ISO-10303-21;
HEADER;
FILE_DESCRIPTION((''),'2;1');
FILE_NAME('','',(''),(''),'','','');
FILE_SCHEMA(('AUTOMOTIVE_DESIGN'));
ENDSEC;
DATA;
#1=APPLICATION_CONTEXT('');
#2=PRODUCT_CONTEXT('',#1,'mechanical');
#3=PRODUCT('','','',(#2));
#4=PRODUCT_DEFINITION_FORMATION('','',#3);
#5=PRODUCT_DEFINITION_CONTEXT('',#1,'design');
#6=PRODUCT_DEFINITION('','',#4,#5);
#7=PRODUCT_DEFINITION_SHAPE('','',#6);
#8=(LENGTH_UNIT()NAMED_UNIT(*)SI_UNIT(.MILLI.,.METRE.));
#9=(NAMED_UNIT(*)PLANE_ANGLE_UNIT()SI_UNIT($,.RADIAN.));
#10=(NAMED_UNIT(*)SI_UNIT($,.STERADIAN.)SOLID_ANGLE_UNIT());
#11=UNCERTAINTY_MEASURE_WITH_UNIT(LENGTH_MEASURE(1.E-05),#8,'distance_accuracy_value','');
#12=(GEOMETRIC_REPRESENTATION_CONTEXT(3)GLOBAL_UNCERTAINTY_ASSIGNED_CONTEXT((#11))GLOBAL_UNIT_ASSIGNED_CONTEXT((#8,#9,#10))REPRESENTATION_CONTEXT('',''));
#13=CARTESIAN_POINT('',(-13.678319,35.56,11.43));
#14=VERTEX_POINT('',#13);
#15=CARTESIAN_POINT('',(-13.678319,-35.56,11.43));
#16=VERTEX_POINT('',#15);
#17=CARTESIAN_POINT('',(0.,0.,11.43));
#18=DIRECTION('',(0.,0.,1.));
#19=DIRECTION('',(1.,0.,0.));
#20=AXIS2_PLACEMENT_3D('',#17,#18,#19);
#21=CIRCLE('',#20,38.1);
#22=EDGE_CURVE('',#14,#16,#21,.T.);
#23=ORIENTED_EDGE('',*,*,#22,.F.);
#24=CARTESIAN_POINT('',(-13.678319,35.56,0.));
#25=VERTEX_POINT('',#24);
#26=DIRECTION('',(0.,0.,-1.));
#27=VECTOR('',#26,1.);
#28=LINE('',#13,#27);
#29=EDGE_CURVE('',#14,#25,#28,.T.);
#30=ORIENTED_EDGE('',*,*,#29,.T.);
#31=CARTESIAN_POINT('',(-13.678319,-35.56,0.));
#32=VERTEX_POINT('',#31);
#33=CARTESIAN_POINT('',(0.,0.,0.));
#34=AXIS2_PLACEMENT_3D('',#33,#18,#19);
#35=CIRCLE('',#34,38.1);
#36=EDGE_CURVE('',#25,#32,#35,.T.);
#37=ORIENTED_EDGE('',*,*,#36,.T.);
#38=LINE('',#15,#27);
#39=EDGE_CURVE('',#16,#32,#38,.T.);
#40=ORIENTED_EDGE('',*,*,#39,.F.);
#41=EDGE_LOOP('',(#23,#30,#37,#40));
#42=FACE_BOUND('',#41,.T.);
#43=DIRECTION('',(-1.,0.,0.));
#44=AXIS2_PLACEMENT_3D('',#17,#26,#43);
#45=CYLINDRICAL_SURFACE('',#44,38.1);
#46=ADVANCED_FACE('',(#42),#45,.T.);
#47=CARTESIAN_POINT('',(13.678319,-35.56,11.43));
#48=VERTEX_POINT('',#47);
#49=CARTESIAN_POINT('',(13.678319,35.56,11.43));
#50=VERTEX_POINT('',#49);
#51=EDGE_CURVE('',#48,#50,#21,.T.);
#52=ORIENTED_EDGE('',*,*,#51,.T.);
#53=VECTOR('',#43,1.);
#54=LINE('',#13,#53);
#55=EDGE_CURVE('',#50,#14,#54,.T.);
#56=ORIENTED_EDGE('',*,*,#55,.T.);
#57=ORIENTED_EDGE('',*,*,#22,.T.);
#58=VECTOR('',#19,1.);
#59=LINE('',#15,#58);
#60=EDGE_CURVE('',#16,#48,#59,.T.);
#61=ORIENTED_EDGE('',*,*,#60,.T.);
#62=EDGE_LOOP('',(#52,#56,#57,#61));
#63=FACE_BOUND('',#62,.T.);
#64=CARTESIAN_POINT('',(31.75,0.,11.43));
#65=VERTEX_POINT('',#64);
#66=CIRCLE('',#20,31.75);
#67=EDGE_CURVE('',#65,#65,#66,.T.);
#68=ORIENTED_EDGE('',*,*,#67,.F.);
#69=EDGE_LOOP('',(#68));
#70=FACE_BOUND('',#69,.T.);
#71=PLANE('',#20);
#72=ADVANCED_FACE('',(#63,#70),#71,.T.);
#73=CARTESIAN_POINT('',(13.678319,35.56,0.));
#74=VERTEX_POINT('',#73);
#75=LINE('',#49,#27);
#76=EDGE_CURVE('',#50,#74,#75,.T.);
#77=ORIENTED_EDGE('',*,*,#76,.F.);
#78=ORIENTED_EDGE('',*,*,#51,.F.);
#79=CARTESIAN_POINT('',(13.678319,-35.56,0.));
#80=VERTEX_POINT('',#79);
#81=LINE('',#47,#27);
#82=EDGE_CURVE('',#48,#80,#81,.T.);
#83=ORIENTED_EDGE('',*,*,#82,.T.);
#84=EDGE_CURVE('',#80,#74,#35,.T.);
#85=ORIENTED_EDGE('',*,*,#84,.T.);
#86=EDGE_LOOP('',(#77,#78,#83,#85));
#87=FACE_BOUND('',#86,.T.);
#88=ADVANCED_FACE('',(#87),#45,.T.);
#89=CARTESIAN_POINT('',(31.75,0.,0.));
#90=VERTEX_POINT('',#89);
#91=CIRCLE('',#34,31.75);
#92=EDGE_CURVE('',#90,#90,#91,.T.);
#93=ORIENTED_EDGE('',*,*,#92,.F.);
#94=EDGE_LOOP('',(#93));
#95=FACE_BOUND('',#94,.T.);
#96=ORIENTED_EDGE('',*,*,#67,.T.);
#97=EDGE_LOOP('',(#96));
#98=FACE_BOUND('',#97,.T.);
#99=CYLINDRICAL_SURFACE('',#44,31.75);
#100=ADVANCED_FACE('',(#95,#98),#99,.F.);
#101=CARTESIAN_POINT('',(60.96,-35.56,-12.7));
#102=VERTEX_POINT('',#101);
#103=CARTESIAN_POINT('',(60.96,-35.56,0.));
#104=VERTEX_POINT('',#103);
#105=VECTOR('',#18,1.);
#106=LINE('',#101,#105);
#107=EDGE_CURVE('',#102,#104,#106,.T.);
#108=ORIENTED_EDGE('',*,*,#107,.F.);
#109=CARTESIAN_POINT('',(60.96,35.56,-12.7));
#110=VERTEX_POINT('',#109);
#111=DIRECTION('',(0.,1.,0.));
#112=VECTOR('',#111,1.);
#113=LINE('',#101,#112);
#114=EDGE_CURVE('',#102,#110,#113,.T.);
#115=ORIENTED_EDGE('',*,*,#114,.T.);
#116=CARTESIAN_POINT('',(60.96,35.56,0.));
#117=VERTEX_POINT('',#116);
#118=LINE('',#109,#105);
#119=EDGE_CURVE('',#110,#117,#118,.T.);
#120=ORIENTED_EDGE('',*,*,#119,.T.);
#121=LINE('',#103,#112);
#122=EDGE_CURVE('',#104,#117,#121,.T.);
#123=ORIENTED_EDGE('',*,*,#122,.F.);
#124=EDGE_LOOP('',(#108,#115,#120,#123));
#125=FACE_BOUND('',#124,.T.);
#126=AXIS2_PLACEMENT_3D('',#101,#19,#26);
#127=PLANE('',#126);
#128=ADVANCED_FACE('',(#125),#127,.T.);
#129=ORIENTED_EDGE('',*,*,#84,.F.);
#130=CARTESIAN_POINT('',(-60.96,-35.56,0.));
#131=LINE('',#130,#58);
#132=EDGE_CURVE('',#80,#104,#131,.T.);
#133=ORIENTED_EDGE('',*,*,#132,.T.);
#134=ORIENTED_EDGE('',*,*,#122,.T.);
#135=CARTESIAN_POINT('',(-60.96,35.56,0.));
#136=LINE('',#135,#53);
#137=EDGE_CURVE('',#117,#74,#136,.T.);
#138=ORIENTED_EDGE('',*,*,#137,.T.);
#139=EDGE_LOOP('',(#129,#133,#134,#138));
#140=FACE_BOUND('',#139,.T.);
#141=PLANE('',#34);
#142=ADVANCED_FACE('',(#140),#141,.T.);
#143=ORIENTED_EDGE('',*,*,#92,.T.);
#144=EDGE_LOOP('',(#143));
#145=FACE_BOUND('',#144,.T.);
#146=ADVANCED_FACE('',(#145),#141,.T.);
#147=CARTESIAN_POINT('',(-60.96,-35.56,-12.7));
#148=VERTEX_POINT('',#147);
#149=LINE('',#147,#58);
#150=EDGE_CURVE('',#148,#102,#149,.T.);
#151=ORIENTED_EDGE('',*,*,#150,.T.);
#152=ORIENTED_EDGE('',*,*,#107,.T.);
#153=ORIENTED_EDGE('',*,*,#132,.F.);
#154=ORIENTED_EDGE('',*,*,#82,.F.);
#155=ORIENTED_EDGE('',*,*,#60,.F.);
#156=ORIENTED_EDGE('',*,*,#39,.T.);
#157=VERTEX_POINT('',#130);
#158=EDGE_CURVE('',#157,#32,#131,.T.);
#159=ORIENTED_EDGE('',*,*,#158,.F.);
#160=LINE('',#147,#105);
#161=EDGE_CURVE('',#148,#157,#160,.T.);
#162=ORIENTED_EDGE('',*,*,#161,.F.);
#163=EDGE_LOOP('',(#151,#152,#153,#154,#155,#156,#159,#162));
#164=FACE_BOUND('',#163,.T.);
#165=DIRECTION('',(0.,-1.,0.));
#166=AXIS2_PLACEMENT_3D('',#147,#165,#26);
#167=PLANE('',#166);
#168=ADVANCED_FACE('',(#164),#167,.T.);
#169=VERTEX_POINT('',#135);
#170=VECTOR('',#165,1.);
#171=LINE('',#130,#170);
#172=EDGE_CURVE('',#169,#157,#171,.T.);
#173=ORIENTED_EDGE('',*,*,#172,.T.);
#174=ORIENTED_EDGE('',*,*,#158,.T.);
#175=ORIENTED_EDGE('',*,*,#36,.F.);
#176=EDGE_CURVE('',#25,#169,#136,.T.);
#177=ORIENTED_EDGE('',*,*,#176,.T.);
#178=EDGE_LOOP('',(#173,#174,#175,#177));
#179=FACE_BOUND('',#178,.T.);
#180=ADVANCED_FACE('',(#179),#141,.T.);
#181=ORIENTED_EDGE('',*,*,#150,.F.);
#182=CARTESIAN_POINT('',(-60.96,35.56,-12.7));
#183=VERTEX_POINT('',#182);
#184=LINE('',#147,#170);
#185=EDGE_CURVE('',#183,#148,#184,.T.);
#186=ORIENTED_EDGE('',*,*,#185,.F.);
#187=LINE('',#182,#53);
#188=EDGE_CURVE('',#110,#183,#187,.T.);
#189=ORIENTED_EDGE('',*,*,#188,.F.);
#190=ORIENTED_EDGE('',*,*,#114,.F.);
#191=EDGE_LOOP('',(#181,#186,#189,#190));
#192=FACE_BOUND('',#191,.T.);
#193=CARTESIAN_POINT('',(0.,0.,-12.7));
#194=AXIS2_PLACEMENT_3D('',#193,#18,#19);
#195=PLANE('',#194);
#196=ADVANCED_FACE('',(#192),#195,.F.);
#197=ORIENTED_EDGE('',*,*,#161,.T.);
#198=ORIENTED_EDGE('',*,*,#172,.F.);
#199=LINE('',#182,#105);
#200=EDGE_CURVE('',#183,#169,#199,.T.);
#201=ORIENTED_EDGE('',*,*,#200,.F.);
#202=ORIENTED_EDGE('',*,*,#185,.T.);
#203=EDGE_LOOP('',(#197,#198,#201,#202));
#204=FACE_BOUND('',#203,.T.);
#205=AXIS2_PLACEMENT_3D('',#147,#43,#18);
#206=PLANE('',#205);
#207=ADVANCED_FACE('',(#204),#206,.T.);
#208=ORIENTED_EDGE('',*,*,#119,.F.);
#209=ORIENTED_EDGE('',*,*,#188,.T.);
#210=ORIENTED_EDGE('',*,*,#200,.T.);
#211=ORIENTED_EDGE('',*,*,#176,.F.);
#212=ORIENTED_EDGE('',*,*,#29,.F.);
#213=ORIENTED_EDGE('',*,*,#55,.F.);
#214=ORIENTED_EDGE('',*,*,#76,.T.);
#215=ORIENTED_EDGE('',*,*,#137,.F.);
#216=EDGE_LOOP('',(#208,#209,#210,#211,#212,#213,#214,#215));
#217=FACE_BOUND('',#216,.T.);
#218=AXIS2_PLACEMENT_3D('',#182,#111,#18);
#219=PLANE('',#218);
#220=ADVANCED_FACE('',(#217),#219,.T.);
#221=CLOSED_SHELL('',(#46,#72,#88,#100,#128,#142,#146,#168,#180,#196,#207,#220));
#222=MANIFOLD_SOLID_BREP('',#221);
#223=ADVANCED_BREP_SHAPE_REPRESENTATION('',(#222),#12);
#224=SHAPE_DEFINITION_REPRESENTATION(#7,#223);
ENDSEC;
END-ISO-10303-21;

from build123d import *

# Parameters (mm, degrees)
SKETCH2_W           = 121.92
SKETCH2_H           = 71.12
BOSS_EXTRUDE1_DEPTH = 12.7
SKETCH3_R           = 31.75
BOSS_EXTRUDE2_DEPTH = 11.43


with BuildPart() as part:
    # Sketch2 → Boss-Extrude1 (new body)
    with BuildSketch(Plane.XY):
        Rectangle(SKETCH2_W, SKETCH2_H)
    extrude(amount=-BOSS_EXTRUDE1_DEPTH)

    # Sketch3 → Boss-Extrude2 (add)
    with BuildSketch(Plane.XY):
        with BuildLine():
            Line((-13.67831861, 35.56), (13.67831861, 35.56))
            ThreePointArc((13.67831861, 35.56), (38.1, 0), (13.67831861, -35.56))
            Line((13.67831861, -35.56), (-13.67831861, -35.56))
            ThreePointArc((-13.67831861, -35.56), (-38.1, 0), (-13.67831861, 35.56))
        make_face()
        Circle(SKETCH3_R, mode=Mode.SUBTRACT)
    extrude(amount=BOSS_EXTRUDE2_DEPTH)


solid = part.part
